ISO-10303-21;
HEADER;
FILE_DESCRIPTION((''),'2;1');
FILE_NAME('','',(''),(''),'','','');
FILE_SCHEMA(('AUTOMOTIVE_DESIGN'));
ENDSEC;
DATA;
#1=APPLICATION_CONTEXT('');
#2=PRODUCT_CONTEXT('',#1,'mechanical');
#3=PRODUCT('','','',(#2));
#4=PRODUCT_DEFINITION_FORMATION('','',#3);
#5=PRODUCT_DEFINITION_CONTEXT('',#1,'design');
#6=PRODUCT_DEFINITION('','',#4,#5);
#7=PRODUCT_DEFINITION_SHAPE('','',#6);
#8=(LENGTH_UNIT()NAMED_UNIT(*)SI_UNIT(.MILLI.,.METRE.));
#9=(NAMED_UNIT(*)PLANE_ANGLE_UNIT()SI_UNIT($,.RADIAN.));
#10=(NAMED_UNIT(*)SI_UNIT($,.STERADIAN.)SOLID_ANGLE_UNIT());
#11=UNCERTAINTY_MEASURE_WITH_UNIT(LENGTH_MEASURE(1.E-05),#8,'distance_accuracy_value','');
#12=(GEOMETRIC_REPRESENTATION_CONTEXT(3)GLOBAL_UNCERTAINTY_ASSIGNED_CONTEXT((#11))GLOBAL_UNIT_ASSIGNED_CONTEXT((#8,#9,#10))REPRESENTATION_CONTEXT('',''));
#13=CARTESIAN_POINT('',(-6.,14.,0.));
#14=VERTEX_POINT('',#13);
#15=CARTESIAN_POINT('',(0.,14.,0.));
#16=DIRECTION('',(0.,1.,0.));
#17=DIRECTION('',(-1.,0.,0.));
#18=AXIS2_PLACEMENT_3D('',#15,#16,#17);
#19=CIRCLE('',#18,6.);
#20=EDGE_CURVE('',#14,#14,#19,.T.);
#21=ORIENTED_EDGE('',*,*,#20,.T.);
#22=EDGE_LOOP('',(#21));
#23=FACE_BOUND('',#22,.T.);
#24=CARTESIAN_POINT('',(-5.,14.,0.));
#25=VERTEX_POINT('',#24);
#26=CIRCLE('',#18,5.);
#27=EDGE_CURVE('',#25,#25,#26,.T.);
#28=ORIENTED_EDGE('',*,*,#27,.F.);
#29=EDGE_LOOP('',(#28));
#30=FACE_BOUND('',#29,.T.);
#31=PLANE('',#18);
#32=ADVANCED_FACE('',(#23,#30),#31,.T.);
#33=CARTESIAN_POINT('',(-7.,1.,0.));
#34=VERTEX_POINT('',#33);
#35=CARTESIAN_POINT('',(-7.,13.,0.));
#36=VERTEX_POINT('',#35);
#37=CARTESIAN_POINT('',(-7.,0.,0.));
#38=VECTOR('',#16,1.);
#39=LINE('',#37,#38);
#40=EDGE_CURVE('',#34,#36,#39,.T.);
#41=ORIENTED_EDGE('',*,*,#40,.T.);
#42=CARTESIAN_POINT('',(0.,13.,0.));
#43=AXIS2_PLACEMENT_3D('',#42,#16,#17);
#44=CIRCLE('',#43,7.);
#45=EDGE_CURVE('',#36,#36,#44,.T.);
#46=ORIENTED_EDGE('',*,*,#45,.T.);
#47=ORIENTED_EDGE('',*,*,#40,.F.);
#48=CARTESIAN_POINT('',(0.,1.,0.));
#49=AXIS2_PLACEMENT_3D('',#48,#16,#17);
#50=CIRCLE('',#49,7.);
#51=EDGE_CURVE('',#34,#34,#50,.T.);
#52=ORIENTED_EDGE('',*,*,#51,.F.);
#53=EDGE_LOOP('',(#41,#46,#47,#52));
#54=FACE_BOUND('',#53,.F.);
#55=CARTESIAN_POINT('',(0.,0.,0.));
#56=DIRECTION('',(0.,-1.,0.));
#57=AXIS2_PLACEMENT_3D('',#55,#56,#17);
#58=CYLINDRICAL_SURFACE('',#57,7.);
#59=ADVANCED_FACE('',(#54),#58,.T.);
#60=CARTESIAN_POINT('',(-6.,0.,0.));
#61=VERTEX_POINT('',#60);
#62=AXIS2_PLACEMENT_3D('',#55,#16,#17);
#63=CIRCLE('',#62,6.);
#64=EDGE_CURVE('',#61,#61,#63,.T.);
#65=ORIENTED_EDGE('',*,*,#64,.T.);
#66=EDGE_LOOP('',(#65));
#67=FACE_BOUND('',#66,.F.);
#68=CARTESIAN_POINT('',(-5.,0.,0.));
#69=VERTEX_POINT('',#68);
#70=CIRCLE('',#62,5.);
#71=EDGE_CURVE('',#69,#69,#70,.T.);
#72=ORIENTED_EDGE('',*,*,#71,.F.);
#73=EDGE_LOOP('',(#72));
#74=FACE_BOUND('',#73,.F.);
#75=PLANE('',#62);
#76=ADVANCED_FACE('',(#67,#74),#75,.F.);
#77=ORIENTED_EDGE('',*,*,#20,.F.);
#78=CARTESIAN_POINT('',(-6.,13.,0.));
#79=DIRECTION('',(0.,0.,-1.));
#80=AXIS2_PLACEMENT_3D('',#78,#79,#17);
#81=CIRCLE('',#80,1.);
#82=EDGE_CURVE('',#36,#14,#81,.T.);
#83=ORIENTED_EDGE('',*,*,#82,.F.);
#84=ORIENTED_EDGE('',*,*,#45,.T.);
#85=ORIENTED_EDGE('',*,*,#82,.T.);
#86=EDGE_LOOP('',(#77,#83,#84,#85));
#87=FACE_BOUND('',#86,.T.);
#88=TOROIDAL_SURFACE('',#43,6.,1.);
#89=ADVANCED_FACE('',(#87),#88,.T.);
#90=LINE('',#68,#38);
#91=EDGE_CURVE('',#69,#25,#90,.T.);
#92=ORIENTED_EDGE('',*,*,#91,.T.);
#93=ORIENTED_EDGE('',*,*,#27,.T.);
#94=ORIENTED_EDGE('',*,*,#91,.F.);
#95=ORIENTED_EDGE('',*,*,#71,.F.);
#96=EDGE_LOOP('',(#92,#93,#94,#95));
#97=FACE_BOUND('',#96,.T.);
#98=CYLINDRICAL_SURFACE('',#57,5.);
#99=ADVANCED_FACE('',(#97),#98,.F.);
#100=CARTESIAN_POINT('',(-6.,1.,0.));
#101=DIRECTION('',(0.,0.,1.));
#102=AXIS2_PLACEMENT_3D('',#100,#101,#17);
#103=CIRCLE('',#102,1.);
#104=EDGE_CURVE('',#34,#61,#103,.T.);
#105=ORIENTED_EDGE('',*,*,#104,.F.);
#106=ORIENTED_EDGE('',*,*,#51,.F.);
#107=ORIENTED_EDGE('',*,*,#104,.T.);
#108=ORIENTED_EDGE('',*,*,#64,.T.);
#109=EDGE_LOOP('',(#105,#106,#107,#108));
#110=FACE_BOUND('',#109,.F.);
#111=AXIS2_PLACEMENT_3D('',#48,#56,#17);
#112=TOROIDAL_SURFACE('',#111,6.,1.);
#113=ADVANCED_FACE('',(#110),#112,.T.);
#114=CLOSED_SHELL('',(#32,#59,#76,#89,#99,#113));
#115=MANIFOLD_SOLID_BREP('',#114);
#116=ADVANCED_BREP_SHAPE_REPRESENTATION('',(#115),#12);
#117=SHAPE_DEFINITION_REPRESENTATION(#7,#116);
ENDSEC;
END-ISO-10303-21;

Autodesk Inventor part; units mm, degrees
ref_plane "YZ Plane" through (0, 0, 0) normal (1, 0, 0) x (0, 1, 0)
ref_plane "XZ Plane" through (0, 0, 0) normal (0, 1, 0) x (-1, 0, 0)
ref_plane "XY Plane" through (0, 0, 0) normal (0, 0, 1) x (1, 0, 0)
sketch "Sketch1" plane through (0, 0, 0) normal (0, 1, 0) x (-1, 0, 0)
  circle A0 centre (0, 0) radius 5
  circle A1 centre (0, 0) radius 7
  dimension "d0" = 10
  dimension "d1" = 14
extrude "Extrusion1" add sketch "Sketch1" along normal blind 14
fillet "Fillet1" radius 1 2 edges at (7, 14, 0) (7, 0, 0)
properties part number "Dribbler Roller"
